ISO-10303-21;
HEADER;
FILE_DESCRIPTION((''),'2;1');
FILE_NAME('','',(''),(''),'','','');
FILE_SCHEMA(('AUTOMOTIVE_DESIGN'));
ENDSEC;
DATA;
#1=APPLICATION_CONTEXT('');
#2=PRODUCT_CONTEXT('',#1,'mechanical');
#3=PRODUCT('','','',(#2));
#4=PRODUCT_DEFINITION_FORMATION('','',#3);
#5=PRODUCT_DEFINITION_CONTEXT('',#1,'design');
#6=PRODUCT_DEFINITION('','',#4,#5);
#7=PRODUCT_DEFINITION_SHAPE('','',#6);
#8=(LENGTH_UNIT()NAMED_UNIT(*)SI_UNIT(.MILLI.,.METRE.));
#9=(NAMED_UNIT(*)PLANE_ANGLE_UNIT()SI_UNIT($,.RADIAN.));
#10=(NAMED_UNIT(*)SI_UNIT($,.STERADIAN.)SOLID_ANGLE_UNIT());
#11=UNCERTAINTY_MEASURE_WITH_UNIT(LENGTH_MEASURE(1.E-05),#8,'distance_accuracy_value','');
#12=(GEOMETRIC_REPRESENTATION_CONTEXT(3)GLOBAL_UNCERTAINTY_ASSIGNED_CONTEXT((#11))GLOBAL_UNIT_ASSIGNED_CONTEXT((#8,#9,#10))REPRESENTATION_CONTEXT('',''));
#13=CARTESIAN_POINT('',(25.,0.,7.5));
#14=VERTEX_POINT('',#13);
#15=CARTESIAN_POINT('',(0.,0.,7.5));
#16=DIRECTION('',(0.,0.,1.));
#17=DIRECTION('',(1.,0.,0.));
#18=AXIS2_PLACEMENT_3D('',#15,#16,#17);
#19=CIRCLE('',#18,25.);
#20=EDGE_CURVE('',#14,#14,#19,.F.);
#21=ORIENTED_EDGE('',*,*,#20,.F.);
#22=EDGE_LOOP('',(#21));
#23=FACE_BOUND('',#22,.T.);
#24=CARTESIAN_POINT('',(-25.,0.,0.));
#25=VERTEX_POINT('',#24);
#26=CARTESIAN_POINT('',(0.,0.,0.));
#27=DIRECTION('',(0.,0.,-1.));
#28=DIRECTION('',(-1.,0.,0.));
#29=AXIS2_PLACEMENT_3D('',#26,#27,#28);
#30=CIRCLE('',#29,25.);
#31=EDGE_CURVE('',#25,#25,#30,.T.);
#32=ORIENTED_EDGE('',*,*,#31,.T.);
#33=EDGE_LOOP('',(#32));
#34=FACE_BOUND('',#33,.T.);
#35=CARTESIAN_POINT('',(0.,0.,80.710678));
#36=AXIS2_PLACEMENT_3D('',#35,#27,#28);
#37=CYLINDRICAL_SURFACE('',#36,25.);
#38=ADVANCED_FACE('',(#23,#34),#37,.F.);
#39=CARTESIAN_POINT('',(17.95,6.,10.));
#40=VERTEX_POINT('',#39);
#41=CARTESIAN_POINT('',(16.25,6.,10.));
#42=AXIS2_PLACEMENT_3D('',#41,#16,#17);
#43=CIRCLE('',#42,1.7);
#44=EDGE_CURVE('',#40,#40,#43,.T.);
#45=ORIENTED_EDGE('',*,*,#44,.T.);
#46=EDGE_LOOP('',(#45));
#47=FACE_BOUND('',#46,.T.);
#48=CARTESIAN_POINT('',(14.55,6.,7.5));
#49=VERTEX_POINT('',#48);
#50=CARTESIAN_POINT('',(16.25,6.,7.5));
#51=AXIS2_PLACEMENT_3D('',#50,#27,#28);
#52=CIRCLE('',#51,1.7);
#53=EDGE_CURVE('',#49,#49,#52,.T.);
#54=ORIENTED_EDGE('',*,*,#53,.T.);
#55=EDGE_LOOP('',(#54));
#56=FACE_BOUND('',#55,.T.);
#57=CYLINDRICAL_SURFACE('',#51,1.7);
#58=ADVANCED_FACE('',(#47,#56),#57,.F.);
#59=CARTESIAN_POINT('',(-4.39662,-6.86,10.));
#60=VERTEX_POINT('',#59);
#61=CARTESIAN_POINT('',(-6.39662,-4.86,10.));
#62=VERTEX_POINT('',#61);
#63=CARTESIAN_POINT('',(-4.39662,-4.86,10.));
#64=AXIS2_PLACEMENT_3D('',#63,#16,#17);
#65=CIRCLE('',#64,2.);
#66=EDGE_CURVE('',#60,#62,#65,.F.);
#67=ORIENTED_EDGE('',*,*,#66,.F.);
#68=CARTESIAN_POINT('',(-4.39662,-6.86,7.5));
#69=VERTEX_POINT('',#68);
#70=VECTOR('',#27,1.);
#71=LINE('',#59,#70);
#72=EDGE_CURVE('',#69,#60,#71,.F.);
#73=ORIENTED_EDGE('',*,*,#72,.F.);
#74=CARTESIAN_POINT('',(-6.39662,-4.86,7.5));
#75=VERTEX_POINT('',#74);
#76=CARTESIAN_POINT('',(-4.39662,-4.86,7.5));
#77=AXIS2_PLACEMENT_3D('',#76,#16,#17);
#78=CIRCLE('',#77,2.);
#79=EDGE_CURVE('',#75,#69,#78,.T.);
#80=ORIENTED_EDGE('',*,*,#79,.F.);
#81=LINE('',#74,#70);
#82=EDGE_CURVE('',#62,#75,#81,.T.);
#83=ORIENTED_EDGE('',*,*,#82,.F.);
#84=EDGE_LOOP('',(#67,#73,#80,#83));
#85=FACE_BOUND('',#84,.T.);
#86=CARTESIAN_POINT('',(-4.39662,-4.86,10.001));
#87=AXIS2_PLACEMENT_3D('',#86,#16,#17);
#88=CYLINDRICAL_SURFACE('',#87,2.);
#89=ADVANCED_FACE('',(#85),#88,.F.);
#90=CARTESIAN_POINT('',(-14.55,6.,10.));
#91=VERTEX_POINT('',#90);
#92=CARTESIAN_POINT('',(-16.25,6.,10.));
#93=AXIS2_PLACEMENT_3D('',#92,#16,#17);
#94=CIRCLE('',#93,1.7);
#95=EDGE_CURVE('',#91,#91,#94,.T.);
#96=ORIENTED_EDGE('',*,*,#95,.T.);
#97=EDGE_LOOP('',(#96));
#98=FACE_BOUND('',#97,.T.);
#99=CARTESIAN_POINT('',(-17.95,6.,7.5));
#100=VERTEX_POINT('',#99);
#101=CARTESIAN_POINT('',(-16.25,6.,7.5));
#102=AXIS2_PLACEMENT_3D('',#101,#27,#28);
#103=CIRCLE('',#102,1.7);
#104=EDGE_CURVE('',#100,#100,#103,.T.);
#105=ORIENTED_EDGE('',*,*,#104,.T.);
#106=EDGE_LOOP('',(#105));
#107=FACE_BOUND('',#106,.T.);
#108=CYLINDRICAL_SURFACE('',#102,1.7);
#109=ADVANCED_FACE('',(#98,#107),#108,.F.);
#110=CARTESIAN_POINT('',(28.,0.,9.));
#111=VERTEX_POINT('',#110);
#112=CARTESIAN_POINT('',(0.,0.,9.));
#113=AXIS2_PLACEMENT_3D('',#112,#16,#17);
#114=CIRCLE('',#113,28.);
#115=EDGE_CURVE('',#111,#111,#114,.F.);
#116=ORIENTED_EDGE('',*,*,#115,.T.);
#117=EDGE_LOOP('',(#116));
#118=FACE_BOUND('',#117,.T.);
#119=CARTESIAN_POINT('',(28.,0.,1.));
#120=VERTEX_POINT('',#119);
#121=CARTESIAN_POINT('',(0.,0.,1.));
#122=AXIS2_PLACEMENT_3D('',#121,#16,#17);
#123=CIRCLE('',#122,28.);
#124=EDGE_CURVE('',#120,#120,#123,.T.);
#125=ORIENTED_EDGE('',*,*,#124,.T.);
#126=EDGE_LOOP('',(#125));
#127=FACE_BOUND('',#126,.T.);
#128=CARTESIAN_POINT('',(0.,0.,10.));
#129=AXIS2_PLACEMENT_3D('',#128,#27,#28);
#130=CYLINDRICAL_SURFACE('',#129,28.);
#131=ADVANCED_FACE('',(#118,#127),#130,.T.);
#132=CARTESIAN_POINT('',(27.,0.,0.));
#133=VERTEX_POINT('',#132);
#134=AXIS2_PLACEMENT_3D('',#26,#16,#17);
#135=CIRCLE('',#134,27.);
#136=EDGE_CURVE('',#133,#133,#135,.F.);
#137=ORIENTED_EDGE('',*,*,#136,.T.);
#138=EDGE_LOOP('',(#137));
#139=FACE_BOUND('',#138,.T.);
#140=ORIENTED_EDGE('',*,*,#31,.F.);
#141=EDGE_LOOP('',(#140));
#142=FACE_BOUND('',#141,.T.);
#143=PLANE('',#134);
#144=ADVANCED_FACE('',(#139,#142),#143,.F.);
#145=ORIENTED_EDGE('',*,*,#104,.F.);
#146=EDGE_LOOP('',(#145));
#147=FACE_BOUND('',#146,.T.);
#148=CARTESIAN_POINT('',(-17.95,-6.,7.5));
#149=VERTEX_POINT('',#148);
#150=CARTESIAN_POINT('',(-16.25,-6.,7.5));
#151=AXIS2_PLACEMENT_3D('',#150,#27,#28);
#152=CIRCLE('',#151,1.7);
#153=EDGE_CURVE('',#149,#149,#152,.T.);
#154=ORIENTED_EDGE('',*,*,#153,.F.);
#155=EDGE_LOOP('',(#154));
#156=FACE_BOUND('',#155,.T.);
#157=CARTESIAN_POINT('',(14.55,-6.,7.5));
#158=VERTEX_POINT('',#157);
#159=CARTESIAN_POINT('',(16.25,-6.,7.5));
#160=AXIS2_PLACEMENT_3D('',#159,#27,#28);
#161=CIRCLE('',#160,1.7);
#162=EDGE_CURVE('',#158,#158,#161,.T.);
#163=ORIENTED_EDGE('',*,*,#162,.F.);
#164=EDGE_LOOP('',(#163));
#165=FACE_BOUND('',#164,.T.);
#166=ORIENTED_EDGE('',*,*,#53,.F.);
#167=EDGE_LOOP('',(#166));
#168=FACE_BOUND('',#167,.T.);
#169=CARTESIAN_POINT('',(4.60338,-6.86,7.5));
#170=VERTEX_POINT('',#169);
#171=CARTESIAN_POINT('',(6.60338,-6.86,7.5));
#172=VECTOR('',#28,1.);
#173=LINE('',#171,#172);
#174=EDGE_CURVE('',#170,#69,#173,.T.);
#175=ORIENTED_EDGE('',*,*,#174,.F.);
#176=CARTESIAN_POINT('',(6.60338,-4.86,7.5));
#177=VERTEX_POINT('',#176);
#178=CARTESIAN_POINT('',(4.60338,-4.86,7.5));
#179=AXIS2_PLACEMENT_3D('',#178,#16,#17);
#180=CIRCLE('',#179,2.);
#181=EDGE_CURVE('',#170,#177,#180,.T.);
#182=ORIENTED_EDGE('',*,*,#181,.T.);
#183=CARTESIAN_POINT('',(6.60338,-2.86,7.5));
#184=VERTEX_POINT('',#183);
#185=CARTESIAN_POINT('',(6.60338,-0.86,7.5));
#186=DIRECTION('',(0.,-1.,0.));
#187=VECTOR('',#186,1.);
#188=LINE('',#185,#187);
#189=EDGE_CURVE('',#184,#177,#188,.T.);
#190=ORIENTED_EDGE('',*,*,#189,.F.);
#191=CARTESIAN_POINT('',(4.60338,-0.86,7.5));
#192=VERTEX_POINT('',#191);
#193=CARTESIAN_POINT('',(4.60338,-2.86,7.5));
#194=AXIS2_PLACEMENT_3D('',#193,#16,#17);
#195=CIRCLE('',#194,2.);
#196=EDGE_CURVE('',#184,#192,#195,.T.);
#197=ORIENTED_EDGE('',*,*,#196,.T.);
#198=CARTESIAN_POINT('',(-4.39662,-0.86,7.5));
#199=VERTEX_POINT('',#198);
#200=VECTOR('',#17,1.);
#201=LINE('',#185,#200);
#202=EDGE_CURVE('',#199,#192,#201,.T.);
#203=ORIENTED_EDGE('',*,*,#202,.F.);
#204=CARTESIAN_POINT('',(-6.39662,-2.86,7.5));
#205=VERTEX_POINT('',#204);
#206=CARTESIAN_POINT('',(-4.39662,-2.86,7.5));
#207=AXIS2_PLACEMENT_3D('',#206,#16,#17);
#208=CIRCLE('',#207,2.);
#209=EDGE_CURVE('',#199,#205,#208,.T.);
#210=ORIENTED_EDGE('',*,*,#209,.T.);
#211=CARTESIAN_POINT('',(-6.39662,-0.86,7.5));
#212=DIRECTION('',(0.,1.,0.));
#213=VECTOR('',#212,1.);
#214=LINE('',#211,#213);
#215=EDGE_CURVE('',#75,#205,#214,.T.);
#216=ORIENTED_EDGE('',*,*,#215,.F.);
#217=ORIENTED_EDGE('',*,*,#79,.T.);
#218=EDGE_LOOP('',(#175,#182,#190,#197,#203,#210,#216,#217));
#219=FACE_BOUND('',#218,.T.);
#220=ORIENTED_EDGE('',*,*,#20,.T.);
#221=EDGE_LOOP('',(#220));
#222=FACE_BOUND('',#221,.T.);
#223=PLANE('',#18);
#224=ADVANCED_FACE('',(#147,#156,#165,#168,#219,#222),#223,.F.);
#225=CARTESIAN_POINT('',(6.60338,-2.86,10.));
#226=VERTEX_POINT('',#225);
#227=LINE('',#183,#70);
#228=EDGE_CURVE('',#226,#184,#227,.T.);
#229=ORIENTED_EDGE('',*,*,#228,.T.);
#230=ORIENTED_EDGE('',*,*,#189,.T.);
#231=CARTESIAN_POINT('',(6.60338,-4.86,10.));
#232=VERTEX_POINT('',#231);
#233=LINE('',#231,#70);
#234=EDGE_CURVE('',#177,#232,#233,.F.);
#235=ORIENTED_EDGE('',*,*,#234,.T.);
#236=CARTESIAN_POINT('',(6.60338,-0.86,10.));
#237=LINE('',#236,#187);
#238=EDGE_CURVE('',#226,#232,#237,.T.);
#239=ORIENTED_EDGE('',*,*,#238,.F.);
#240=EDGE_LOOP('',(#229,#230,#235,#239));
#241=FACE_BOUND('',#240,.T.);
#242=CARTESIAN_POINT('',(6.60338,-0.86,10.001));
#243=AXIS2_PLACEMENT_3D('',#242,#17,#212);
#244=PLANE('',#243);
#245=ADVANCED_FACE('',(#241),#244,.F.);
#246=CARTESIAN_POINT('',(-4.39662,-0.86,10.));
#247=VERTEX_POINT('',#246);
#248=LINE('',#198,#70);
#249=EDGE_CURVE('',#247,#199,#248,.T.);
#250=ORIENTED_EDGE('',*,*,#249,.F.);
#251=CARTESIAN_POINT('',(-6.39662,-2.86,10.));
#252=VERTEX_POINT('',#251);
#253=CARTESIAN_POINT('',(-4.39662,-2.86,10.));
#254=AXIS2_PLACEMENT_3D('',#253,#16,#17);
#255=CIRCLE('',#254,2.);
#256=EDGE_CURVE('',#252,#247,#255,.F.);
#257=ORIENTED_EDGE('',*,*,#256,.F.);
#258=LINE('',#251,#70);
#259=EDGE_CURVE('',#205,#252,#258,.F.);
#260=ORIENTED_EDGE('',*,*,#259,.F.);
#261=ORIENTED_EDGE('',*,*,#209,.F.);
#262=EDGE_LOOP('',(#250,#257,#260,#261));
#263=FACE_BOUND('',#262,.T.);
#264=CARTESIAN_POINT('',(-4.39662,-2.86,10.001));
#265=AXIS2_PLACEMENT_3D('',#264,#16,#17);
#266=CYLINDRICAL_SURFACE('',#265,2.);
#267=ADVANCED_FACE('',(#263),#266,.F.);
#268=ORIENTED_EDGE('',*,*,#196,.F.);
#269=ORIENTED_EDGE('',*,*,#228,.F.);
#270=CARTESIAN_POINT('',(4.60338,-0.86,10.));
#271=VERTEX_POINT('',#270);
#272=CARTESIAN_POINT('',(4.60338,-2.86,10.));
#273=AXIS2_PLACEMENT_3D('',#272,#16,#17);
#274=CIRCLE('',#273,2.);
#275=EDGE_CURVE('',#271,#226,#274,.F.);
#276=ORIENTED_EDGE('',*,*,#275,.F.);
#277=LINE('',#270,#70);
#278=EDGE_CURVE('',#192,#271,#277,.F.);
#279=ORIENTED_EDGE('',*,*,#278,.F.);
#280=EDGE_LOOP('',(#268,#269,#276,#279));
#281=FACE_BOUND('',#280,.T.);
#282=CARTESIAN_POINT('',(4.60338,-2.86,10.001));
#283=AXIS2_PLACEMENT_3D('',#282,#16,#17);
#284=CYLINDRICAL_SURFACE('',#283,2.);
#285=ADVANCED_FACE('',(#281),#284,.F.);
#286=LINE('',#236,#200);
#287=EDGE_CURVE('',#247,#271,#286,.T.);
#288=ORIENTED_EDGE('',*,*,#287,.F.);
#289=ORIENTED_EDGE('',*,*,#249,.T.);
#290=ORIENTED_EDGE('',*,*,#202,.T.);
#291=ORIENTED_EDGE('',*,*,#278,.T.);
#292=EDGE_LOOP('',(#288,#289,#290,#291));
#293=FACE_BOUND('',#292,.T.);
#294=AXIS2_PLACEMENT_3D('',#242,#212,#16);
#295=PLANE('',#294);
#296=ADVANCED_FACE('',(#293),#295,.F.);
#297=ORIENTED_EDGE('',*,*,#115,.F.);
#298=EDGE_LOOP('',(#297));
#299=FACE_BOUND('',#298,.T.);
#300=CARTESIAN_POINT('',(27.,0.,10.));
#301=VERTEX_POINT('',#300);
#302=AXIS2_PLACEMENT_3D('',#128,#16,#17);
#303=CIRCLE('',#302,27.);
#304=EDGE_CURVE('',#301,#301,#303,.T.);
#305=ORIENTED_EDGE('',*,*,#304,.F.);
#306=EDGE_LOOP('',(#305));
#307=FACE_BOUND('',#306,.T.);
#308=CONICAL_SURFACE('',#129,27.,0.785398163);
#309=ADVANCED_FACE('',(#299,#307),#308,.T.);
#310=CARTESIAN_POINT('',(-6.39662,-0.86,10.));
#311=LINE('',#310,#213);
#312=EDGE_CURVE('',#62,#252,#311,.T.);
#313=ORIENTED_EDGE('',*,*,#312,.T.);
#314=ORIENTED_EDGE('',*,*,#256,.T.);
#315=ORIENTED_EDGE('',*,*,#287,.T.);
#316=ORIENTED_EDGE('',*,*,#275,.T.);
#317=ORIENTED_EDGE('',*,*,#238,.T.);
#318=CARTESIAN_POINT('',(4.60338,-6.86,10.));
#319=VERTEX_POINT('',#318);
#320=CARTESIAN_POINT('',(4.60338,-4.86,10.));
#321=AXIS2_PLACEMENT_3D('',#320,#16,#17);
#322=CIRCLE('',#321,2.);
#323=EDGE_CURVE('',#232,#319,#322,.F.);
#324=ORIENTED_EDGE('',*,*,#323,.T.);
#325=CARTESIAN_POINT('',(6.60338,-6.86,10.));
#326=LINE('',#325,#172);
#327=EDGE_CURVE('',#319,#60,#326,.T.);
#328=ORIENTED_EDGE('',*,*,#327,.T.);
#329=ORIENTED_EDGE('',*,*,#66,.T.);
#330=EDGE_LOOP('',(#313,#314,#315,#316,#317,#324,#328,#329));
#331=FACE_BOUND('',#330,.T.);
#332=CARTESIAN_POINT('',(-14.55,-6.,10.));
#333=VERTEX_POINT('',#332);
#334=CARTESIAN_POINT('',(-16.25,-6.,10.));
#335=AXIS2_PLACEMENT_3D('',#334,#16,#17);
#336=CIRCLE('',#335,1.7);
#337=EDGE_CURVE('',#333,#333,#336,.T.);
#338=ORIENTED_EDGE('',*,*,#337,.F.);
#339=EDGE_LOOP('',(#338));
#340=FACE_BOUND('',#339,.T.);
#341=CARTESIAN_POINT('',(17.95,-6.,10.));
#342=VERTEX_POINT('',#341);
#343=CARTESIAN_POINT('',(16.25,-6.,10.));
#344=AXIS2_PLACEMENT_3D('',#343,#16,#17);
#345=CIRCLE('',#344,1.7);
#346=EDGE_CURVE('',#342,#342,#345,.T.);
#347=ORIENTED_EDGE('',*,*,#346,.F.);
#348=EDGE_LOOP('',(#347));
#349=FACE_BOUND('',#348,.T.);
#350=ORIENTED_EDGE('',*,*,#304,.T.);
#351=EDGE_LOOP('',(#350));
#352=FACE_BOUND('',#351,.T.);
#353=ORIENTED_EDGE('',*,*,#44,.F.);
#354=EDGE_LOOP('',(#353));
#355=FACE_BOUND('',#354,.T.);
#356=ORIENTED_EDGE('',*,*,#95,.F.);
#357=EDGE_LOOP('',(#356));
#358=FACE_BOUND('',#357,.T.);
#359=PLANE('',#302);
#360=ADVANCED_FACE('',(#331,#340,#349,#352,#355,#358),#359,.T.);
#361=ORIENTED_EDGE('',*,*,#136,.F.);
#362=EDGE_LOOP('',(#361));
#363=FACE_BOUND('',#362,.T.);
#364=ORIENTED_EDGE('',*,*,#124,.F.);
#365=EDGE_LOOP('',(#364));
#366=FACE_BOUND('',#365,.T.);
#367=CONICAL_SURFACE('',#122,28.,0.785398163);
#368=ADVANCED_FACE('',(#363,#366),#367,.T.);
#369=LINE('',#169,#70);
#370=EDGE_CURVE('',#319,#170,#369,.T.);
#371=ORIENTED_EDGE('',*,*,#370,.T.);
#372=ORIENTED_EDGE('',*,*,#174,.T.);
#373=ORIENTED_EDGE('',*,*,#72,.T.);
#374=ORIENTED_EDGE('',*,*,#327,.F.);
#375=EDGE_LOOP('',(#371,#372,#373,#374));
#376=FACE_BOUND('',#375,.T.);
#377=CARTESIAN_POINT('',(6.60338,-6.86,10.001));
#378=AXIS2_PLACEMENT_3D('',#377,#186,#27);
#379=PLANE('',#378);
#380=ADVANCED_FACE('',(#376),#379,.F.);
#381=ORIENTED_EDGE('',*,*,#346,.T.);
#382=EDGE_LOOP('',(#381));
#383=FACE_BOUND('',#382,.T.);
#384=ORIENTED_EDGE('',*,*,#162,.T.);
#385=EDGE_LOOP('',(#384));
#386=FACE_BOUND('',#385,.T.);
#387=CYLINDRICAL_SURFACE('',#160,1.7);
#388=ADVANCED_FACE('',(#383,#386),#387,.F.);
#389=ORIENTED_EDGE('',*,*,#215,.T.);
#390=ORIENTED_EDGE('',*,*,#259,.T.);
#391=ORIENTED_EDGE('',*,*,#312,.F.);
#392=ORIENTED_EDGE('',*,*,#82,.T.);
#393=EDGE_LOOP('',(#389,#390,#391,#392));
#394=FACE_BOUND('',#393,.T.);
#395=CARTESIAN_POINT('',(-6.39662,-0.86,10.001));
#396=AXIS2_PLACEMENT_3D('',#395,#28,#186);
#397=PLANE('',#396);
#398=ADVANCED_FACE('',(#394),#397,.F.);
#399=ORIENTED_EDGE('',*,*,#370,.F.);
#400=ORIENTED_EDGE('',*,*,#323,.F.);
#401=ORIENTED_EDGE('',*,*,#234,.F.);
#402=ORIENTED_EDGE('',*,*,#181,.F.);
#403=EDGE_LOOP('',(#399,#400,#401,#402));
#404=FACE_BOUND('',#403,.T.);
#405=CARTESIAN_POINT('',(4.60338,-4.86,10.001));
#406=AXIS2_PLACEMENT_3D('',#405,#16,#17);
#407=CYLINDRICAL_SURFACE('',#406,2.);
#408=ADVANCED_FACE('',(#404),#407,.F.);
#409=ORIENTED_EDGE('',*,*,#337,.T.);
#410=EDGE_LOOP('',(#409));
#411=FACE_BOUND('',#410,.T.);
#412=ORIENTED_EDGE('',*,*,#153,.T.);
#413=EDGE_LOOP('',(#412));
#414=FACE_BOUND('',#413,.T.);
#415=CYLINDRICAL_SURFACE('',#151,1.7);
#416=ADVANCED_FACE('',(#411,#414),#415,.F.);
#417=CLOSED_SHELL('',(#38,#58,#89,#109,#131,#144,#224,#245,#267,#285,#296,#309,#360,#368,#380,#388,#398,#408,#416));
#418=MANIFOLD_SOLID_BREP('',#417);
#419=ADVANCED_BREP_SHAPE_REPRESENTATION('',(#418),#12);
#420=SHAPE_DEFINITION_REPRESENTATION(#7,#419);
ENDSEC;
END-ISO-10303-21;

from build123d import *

# Parameters (mm, degrees)
SKETCH_1_R          = 28
EXTRUDE_1_DEPTH     = 10
SKETCH_3_R          = 25
CUT_EXTRUDE_2_DEPTH = 7.5
CUT_EXTRUDE_4_REACH = 42.302
SKETCH_6_W          = 13
SKETCH_6_H          = 6
FILLET_3_R          = 2
HOLE_WIZARD_M31_D   = 3.4
CHAMFER_1_SIZE      = 1


with BuildPart() as part:
    # Эскиз1 → Бобышка-Вытянуть1 (new body)
    with BuildSketch(Plane.XY):
        Circle(SKETCH_1_R)
    extrude(amount=EXTRUDE_1_DEPTH)

    # Эскиз3 → Вырез-Вытянуть2 (cut)
    with BuildSketch(Plane(origin=(0, 0, 0), x_dir=(-1, 0, 0), z_dir=(0, 0, -1))):
        Circle(SKETCH_3_R)
    extrude(amount=-CUT_EXTRUDE_2_DEPTH, mode=Mode.SUBTRACT)

    # Эскиз6 → Вырез-Вытянуть4 (cut, up to next)
    with BuildSketch(Plane(origin=(0, 0, 7.5), x_dir=(-1, 0, 0), z_dir=(0, 0, -1)), mode=Mode.PRIVATE) as cut_extrude_4_sk1:
        with Locations((-0.103380177, -3.86)):
            Rectangle(SKETCH_6_W, SKETCH_6_H)
    cut_extrude_4_tool1 = extrude(cut_extrude_4_sk1.sketch, amount=-CUT_EXTRUDE_4_REACH, mode=Mode.PRIVATE) & part.part
    add(cut_extrude_4_tool1.solids().sort_by_distance((0.10338, -3.86, 7.5))[0], mode=Mode.SUBTRACT)

    # Скругление3
    fillet_3_edges = [part.edges().sort_by_distance(p)[0] for p in [
        (-6.396619823, -0.86, 8.75),
        (-6.396619823, -6.86, 8.75),
        (6.603380177, -6.86, 8.75),
        (6.603380177, -0.86, 8.75),
    ]]
    fillet(fillet_3_edges, radius=FILLET_3_R)

    # Отверстие с зазором M31 (through all)
    with Locations(Plane(origin=(0, 0, 7.5), x_dir=(-1, 0, 0), z_dir=(0, 0, -1))):
        with Locations((16.25, -6), (16.25, 6), (-16.25, 6), (-16.25, -6)):
            Hole(HOLE_WIZARD_M31_D / 2)

    # Фаска1
    chamfer_1_edges = [part.edges().sort_by_distance(p)[0] for p in [
        (-28, 0, 0),
        (-28, 0, 10),
    ]]
    chamfer(chamfer_1_edges, length=CHAMFER_1_SIZE)


solid = part.part
